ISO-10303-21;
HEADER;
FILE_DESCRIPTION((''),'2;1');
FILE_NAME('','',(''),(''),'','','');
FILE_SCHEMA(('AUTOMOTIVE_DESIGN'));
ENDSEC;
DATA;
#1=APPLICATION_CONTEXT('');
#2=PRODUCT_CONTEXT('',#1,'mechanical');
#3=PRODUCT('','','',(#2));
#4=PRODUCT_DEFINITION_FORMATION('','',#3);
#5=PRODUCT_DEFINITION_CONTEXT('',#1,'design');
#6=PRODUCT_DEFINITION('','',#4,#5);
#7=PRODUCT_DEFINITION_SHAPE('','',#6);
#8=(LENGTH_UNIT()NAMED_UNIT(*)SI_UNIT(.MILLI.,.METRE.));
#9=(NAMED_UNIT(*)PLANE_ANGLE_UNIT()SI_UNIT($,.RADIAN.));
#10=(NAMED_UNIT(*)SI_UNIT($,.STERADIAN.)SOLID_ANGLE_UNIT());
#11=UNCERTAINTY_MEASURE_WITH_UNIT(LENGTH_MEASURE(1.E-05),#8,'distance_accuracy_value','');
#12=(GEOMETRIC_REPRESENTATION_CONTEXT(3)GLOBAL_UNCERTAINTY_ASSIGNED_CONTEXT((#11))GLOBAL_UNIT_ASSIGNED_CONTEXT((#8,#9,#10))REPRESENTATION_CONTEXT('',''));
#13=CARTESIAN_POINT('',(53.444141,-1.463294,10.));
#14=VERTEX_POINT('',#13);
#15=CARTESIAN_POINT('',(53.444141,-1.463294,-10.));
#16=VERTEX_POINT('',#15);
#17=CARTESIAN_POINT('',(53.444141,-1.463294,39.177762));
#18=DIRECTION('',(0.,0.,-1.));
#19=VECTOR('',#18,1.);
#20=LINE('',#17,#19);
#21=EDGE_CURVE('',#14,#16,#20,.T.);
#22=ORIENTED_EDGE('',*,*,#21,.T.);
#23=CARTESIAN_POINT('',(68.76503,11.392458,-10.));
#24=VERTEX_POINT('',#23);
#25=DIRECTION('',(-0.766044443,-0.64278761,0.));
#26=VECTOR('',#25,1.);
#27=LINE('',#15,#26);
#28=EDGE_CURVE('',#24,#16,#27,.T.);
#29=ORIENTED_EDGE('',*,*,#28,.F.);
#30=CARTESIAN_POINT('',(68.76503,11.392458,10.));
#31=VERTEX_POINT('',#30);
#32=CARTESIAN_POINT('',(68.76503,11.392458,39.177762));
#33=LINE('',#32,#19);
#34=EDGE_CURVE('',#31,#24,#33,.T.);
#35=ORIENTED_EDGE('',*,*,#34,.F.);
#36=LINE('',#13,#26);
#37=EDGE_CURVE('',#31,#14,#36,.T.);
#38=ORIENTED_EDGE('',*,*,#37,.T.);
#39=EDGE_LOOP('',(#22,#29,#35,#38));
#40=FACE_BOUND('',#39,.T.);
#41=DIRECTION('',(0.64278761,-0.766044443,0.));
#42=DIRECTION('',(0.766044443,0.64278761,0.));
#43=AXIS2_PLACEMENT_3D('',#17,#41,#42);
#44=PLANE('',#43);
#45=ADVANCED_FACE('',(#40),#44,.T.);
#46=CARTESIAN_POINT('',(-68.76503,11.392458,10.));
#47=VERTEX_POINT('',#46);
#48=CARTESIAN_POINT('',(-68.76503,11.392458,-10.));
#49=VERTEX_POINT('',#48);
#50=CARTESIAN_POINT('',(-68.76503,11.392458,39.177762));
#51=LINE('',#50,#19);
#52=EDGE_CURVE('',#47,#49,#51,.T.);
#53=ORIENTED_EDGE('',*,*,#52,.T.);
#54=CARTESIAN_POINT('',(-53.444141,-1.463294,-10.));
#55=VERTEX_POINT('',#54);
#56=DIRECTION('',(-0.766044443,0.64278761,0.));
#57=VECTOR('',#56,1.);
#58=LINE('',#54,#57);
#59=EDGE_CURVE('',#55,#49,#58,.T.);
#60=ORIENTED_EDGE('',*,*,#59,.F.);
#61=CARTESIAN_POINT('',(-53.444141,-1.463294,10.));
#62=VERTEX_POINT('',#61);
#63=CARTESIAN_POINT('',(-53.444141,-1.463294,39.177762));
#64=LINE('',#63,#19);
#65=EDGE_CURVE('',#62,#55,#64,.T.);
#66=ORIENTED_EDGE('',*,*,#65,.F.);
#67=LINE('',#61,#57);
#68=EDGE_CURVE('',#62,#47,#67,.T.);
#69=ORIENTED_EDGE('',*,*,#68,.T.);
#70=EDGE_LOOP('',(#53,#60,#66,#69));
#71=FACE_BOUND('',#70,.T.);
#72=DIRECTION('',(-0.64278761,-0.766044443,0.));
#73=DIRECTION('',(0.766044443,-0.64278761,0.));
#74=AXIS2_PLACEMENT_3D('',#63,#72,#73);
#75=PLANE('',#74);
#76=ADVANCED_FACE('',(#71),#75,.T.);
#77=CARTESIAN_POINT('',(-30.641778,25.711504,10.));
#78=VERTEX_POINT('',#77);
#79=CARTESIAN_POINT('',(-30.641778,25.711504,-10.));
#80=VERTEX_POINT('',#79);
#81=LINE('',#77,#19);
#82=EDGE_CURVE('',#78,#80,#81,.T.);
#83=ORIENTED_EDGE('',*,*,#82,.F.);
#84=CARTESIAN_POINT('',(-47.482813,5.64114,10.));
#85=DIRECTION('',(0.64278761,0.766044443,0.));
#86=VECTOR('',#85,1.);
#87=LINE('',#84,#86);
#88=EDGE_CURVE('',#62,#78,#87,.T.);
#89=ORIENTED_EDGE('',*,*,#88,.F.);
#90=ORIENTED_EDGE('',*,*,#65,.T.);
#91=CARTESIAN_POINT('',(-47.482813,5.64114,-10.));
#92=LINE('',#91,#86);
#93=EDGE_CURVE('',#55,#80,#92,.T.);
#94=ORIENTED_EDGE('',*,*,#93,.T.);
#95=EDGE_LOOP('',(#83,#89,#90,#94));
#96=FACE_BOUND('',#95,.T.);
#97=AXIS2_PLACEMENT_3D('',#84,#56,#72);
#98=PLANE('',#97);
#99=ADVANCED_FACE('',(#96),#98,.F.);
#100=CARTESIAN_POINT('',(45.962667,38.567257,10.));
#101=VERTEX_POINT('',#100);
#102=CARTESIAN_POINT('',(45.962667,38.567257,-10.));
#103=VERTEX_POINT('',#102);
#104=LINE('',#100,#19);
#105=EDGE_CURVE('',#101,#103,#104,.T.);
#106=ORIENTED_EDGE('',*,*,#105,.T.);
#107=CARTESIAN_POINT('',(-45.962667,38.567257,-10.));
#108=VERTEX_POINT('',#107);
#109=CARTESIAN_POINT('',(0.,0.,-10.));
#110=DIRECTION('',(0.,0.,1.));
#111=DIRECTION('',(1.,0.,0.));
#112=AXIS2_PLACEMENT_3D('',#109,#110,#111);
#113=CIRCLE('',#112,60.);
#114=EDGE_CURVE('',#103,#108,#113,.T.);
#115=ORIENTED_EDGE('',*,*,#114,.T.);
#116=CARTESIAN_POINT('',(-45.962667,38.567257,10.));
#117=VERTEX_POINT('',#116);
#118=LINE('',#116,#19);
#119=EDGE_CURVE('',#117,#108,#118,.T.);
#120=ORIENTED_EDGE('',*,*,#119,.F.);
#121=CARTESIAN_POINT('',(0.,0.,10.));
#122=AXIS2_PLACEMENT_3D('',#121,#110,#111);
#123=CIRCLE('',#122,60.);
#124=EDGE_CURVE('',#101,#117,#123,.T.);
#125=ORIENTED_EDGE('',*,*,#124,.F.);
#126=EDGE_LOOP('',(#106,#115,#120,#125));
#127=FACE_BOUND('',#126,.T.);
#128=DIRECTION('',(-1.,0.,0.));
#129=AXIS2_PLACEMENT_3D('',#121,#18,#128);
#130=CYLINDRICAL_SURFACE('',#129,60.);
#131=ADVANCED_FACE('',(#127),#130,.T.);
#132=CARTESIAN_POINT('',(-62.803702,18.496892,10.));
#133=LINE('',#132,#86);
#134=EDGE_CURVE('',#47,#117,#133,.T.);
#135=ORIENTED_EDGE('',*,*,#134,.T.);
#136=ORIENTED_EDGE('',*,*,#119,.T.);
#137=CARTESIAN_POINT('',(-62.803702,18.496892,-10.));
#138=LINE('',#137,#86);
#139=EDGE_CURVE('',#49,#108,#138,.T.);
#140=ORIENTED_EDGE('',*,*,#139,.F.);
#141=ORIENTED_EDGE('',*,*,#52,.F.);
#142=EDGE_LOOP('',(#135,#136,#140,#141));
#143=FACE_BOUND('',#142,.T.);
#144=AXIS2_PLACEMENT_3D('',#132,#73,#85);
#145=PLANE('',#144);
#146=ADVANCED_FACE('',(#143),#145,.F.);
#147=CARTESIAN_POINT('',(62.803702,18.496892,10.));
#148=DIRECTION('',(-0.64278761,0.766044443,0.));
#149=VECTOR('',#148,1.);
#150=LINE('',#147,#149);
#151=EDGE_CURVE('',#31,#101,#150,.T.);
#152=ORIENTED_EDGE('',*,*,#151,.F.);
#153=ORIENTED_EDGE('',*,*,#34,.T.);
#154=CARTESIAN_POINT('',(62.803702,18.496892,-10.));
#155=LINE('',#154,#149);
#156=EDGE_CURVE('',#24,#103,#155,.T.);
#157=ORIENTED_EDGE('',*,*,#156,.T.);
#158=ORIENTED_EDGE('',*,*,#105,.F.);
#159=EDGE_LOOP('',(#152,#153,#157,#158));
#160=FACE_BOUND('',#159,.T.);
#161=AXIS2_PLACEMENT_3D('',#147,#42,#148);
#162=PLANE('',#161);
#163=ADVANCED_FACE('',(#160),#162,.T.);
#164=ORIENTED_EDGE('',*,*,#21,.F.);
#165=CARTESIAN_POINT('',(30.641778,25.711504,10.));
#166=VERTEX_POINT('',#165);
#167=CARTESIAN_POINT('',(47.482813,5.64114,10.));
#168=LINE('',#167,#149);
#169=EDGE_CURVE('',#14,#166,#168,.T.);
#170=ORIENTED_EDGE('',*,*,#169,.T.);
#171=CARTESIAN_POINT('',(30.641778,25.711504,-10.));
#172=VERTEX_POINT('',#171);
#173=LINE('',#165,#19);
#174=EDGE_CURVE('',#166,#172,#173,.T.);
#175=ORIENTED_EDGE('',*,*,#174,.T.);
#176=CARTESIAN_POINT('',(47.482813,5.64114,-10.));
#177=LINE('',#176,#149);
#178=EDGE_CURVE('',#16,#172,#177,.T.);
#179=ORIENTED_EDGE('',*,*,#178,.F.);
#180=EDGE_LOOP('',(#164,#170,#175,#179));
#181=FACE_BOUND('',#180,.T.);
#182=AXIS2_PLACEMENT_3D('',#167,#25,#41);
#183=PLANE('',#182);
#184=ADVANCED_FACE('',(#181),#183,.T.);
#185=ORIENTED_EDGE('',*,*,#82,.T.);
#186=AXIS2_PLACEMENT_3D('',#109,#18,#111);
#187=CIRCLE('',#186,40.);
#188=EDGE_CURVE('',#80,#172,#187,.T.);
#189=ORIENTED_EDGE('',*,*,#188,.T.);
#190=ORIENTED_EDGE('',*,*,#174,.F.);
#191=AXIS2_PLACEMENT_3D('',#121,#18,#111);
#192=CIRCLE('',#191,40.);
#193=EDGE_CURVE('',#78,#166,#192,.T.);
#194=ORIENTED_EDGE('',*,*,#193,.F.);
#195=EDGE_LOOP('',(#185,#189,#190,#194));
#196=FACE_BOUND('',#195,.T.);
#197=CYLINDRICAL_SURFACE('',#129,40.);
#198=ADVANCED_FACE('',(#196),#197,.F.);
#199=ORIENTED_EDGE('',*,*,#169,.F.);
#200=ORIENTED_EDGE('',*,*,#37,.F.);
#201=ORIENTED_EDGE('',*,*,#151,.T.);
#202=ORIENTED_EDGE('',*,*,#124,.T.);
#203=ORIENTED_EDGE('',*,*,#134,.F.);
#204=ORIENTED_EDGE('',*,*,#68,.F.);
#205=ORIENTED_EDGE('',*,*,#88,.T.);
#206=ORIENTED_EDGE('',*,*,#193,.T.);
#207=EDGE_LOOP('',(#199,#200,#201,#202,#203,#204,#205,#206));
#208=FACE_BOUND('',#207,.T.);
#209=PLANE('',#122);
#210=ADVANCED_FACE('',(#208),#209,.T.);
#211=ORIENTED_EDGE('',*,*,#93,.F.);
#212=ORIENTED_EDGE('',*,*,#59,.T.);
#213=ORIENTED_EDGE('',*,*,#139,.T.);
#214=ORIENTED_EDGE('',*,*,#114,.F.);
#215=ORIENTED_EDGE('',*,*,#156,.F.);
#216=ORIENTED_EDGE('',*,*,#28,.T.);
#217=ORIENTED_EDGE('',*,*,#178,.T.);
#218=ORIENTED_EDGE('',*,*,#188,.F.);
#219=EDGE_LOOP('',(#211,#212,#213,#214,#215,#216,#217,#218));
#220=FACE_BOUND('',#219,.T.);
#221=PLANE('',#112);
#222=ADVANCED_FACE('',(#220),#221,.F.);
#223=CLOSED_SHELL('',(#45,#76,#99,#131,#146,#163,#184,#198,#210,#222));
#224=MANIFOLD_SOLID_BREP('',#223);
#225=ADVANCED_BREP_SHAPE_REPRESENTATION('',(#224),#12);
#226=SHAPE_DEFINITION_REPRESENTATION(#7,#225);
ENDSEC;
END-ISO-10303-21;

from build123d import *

# Parameters (mm, degrees)
BOSS_EXTRUDE1_DEPTH = 10
SKETCH2_W           = 20
SKETCH2_H           = 20
BOSS_EXTRUDE2_DEPTH = 26.2
BOSS_EXTRUDE3_DEPTH = 20


with BuildPart() as part:
    # Sketch1 → Boss-Extrude1 (new, symmetric)
    with BuildSketch(Plane.XY):
        with BuildLine():
            Line((45.962666587, 38.567256581), (30.641777725, 25.711504387))
            ThreePointArc((30.641777725, 25.711504387), (0, 40), (-30.641777725, 25.711504387))
            Line((-30.641777725, 25.711504387), (-45.962666587, 38.567256581))
            ThreePointArc((-45.962666587, 38.567256581), (0, 60), (45.962666587, 38.567256581))
        make_face()
    extrude(amount=BOSS_EXTRUDE1_DEPTH, both=True)

    # Sketch2 → Boss-Extrude2 (add)
    with BuildSketch(Plane(origin=(0, 0, 0), x_dir=(0, 0, 1), z_dir=(-0.6427876096865383, -0.7660444431189791, 0))):
        with Locations((0, 50)):
            Rectangle(SKETCH2_W, SKETCH2_H)
    boss_extrude2 = extrude(amount=BOSS_EXTRUDE2_DEPTH)

    # Mirror1: Boss-Extrude2 across plane
    add(boss_extrude2.mirror(Plane.ZY))

    # Sketch3 → Boss-Extrude3 (add)
    with BuildSketch(Plane(origin=(0, 0, -10), x_dir=(-1, 0, 0), z_dir=(0, 0, -1))):
        Polygon((47.482813099, 5.641139978), (62.803701961, 18.496892171), (68.765030296, 11.392457711), (53.444141434, -1.463294483), align=None)
        Polygon((-53.444141434, -1.463294483), (-68.765030296, 11.392457711), (-62.803701961, 18.496892171), (-47.482813099, 5.641139978), align=None)
    extrude(amount=-BOSS_EXTRUDE3_DEPTH)


solid = part.part
